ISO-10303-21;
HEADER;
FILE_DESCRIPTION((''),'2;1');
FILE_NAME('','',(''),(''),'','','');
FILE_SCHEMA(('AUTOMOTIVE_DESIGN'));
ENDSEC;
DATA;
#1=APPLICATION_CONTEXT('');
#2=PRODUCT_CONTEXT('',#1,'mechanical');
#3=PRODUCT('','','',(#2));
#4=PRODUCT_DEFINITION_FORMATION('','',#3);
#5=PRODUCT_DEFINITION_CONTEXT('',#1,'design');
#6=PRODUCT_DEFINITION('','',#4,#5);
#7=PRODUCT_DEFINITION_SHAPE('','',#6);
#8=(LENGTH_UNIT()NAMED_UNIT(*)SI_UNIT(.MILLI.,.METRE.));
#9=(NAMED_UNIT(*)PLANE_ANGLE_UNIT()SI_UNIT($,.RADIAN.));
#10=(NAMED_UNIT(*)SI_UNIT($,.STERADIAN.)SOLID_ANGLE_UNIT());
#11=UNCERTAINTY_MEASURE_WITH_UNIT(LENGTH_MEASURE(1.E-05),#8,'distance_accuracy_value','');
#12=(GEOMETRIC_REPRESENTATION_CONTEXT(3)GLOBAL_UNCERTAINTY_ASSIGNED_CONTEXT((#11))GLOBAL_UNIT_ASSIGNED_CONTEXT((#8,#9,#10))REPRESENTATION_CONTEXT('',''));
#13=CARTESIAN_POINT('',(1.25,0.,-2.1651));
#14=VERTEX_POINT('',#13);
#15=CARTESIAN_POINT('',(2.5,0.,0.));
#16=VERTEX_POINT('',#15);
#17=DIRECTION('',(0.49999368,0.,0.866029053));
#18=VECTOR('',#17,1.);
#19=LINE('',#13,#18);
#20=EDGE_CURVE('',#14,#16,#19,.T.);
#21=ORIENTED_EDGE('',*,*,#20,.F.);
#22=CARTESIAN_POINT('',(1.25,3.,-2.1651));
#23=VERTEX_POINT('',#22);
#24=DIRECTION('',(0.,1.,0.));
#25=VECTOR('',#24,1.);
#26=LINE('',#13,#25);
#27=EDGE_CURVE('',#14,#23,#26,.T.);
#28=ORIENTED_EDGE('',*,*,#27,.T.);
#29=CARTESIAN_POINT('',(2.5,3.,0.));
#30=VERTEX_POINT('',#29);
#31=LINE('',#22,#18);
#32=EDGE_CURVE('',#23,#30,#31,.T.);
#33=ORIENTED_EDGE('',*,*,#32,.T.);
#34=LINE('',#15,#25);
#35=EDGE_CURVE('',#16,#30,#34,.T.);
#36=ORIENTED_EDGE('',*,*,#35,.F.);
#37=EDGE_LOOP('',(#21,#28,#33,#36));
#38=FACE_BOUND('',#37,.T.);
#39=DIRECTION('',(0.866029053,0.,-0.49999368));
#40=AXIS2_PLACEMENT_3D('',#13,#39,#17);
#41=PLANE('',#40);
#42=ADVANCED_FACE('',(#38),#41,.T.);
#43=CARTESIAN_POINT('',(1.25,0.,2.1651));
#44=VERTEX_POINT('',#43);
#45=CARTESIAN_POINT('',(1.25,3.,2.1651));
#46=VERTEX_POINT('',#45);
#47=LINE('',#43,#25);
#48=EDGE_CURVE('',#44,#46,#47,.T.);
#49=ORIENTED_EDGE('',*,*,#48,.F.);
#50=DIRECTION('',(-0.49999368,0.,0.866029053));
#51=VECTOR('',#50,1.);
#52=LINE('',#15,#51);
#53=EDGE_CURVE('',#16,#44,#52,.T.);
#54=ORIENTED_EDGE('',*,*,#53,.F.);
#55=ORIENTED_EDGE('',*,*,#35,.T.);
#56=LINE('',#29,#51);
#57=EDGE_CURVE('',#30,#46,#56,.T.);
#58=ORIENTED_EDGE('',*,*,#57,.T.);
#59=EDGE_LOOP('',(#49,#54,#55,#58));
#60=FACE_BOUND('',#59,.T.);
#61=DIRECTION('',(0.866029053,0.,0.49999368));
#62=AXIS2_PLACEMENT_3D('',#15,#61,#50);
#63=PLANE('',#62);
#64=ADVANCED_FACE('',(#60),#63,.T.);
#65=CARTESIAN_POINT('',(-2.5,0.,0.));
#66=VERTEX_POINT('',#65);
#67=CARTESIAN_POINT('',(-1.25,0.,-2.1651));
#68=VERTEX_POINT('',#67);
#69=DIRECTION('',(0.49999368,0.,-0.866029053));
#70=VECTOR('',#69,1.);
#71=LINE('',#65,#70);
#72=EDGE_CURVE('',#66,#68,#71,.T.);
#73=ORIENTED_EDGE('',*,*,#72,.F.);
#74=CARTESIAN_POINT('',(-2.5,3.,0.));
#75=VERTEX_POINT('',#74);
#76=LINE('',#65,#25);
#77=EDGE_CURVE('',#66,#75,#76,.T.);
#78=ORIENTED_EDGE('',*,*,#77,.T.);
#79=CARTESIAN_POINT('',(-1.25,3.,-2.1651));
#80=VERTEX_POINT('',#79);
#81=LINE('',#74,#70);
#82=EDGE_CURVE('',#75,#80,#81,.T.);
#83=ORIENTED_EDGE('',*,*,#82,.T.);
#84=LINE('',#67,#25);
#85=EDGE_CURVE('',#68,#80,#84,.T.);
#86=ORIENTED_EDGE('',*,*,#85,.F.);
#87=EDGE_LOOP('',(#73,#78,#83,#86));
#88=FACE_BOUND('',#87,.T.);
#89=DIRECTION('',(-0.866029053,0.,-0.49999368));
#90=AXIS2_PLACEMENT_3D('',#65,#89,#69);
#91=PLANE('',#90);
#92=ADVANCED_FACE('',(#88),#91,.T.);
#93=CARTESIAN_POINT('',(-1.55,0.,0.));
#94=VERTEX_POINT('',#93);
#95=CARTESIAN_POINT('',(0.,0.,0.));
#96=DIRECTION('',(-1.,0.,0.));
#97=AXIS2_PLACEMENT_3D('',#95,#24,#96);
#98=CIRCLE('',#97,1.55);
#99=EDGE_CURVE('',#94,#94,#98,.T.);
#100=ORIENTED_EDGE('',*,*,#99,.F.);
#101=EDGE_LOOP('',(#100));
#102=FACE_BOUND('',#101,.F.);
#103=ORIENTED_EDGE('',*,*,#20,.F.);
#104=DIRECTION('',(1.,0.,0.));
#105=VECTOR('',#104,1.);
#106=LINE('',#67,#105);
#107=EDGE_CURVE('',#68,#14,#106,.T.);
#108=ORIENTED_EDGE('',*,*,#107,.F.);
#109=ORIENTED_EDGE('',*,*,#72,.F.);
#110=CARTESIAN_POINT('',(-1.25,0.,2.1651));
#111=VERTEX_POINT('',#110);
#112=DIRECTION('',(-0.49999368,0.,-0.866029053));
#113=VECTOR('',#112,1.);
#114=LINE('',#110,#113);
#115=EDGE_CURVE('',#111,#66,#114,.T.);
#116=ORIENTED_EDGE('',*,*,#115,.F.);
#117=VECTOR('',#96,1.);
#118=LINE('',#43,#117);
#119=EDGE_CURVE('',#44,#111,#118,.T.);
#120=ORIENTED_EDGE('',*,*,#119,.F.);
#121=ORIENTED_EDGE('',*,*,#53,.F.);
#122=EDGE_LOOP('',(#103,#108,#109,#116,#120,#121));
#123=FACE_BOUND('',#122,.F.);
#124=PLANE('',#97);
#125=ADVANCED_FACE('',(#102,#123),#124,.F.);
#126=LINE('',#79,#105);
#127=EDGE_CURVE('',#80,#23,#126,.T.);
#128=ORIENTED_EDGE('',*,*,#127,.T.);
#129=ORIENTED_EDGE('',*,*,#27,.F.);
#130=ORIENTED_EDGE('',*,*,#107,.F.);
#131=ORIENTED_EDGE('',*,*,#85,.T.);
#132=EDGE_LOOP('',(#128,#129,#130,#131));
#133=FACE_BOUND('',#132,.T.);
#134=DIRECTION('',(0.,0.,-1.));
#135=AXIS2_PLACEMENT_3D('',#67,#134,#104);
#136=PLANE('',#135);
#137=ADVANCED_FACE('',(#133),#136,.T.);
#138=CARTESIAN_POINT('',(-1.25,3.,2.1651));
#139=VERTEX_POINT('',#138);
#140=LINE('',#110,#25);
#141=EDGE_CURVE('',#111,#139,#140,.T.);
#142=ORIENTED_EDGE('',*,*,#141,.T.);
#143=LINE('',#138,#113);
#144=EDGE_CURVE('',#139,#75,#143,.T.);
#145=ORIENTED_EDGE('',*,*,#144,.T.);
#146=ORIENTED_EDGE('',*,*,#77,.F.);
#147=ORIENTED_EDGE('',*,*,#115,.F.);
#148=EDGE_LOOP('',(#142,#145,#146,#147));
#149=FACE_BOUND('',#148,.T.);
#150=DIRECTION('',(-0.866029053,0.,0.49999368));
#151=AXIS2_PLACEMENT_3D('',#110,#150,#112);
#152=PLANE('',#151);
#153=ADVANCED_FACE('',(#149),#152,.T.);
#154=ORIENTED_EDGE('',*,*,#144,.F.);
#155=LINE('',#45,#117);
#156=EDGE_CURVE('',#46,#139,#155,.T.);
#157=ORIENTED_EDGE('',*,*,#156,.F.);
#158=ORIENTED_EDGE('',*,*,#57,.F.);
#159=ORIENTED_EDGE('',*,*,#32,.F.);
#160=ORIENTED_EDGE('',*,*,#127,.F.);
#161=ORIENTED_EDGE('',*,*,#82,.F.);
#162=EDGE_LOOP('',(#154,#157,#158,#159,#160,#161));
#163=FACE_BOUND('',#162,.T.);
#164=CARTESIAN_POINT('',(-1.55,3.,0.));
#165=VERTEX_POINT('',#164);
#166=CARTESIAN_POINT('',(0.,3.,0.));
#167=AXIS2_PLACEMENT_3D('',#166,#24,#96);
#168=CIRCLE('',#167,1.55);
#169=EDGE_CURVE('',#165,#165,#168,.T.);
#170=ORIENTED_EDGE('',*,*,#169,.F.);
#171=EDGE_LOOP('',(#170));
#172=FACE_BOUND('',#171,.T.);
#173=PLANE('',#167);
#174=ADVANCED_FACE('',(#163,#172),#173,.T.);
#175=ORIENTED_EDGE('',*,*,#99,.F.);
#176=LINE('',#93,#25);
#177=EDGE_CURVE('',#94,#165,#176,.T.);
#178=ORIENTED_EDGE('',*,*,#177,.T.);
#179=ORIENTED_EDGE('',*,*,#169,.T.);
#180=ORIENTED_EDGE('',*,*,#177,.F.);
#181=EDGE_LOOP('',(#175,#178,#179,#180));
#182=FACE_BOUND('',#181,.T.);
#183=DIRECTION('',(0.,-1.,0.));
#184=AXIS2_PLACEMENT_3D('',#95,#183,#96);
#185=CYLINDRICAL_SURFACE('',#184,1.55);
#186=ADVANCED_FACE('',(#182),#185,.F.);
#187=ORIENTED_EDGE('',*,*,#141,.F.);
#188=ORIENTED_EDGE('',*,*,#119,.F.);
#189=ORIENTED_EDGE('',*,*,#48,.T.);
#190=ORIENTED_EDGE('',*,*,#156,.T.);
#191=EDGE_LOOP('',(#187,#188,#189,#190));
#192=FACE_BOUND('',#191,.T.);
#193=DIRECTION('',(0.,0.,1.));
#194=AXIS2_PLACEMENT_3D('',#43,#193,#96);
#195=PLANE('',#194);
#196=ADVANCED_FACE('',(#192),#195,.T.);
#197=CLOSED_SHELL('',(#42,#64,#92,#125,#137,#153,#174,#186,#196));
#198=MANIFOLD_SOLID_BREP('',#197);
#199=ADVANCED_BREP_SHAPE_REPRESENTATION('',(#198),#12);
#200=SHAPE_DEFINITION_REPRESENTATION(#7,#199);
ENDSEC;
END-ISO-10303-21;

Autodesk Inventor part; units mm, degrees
ref_plane "YZ Plane" through (0, 0, 0) normal (1, 0, 0) x (0, 1, 0)
ref_plane "XZ Plane" through (0, 0, 0) normal (0, 1, 0) x (-1, 0, 0)
ref_plane "XY Plane" through (0, 0, 0) normal (0, 0, 1) x (1, 0, 0)
sketch "Sketch1" plane through (0, 0, 0) normal (0, 1, 0) x (-1, 0, 0)
  circle A0 centre (0, 0) radius 1.55
  line L0 (-2.5, 0) -> (-1.25, 2.1651)
  line L1 (-1.25, 2.1651) -> (1.25, 2.1651)
  line L2 (1.25, 2.1651) -> (2.5, 0)
  line L3 (2.5, 0) -> (1.25, -2.1651)
  line L4 (1.25, -2.1651) -> (-1.25, -2.1651)
  line L5 (-1.25, -2.1651) -> (-2.5, 0)
  dimension "d0" = 3.1
  dimension "d1" = 2.5
extrude "Extrusion1" add sketch "Sketch1" along normal blind 3
properties part number "Three(mm)Nut"
